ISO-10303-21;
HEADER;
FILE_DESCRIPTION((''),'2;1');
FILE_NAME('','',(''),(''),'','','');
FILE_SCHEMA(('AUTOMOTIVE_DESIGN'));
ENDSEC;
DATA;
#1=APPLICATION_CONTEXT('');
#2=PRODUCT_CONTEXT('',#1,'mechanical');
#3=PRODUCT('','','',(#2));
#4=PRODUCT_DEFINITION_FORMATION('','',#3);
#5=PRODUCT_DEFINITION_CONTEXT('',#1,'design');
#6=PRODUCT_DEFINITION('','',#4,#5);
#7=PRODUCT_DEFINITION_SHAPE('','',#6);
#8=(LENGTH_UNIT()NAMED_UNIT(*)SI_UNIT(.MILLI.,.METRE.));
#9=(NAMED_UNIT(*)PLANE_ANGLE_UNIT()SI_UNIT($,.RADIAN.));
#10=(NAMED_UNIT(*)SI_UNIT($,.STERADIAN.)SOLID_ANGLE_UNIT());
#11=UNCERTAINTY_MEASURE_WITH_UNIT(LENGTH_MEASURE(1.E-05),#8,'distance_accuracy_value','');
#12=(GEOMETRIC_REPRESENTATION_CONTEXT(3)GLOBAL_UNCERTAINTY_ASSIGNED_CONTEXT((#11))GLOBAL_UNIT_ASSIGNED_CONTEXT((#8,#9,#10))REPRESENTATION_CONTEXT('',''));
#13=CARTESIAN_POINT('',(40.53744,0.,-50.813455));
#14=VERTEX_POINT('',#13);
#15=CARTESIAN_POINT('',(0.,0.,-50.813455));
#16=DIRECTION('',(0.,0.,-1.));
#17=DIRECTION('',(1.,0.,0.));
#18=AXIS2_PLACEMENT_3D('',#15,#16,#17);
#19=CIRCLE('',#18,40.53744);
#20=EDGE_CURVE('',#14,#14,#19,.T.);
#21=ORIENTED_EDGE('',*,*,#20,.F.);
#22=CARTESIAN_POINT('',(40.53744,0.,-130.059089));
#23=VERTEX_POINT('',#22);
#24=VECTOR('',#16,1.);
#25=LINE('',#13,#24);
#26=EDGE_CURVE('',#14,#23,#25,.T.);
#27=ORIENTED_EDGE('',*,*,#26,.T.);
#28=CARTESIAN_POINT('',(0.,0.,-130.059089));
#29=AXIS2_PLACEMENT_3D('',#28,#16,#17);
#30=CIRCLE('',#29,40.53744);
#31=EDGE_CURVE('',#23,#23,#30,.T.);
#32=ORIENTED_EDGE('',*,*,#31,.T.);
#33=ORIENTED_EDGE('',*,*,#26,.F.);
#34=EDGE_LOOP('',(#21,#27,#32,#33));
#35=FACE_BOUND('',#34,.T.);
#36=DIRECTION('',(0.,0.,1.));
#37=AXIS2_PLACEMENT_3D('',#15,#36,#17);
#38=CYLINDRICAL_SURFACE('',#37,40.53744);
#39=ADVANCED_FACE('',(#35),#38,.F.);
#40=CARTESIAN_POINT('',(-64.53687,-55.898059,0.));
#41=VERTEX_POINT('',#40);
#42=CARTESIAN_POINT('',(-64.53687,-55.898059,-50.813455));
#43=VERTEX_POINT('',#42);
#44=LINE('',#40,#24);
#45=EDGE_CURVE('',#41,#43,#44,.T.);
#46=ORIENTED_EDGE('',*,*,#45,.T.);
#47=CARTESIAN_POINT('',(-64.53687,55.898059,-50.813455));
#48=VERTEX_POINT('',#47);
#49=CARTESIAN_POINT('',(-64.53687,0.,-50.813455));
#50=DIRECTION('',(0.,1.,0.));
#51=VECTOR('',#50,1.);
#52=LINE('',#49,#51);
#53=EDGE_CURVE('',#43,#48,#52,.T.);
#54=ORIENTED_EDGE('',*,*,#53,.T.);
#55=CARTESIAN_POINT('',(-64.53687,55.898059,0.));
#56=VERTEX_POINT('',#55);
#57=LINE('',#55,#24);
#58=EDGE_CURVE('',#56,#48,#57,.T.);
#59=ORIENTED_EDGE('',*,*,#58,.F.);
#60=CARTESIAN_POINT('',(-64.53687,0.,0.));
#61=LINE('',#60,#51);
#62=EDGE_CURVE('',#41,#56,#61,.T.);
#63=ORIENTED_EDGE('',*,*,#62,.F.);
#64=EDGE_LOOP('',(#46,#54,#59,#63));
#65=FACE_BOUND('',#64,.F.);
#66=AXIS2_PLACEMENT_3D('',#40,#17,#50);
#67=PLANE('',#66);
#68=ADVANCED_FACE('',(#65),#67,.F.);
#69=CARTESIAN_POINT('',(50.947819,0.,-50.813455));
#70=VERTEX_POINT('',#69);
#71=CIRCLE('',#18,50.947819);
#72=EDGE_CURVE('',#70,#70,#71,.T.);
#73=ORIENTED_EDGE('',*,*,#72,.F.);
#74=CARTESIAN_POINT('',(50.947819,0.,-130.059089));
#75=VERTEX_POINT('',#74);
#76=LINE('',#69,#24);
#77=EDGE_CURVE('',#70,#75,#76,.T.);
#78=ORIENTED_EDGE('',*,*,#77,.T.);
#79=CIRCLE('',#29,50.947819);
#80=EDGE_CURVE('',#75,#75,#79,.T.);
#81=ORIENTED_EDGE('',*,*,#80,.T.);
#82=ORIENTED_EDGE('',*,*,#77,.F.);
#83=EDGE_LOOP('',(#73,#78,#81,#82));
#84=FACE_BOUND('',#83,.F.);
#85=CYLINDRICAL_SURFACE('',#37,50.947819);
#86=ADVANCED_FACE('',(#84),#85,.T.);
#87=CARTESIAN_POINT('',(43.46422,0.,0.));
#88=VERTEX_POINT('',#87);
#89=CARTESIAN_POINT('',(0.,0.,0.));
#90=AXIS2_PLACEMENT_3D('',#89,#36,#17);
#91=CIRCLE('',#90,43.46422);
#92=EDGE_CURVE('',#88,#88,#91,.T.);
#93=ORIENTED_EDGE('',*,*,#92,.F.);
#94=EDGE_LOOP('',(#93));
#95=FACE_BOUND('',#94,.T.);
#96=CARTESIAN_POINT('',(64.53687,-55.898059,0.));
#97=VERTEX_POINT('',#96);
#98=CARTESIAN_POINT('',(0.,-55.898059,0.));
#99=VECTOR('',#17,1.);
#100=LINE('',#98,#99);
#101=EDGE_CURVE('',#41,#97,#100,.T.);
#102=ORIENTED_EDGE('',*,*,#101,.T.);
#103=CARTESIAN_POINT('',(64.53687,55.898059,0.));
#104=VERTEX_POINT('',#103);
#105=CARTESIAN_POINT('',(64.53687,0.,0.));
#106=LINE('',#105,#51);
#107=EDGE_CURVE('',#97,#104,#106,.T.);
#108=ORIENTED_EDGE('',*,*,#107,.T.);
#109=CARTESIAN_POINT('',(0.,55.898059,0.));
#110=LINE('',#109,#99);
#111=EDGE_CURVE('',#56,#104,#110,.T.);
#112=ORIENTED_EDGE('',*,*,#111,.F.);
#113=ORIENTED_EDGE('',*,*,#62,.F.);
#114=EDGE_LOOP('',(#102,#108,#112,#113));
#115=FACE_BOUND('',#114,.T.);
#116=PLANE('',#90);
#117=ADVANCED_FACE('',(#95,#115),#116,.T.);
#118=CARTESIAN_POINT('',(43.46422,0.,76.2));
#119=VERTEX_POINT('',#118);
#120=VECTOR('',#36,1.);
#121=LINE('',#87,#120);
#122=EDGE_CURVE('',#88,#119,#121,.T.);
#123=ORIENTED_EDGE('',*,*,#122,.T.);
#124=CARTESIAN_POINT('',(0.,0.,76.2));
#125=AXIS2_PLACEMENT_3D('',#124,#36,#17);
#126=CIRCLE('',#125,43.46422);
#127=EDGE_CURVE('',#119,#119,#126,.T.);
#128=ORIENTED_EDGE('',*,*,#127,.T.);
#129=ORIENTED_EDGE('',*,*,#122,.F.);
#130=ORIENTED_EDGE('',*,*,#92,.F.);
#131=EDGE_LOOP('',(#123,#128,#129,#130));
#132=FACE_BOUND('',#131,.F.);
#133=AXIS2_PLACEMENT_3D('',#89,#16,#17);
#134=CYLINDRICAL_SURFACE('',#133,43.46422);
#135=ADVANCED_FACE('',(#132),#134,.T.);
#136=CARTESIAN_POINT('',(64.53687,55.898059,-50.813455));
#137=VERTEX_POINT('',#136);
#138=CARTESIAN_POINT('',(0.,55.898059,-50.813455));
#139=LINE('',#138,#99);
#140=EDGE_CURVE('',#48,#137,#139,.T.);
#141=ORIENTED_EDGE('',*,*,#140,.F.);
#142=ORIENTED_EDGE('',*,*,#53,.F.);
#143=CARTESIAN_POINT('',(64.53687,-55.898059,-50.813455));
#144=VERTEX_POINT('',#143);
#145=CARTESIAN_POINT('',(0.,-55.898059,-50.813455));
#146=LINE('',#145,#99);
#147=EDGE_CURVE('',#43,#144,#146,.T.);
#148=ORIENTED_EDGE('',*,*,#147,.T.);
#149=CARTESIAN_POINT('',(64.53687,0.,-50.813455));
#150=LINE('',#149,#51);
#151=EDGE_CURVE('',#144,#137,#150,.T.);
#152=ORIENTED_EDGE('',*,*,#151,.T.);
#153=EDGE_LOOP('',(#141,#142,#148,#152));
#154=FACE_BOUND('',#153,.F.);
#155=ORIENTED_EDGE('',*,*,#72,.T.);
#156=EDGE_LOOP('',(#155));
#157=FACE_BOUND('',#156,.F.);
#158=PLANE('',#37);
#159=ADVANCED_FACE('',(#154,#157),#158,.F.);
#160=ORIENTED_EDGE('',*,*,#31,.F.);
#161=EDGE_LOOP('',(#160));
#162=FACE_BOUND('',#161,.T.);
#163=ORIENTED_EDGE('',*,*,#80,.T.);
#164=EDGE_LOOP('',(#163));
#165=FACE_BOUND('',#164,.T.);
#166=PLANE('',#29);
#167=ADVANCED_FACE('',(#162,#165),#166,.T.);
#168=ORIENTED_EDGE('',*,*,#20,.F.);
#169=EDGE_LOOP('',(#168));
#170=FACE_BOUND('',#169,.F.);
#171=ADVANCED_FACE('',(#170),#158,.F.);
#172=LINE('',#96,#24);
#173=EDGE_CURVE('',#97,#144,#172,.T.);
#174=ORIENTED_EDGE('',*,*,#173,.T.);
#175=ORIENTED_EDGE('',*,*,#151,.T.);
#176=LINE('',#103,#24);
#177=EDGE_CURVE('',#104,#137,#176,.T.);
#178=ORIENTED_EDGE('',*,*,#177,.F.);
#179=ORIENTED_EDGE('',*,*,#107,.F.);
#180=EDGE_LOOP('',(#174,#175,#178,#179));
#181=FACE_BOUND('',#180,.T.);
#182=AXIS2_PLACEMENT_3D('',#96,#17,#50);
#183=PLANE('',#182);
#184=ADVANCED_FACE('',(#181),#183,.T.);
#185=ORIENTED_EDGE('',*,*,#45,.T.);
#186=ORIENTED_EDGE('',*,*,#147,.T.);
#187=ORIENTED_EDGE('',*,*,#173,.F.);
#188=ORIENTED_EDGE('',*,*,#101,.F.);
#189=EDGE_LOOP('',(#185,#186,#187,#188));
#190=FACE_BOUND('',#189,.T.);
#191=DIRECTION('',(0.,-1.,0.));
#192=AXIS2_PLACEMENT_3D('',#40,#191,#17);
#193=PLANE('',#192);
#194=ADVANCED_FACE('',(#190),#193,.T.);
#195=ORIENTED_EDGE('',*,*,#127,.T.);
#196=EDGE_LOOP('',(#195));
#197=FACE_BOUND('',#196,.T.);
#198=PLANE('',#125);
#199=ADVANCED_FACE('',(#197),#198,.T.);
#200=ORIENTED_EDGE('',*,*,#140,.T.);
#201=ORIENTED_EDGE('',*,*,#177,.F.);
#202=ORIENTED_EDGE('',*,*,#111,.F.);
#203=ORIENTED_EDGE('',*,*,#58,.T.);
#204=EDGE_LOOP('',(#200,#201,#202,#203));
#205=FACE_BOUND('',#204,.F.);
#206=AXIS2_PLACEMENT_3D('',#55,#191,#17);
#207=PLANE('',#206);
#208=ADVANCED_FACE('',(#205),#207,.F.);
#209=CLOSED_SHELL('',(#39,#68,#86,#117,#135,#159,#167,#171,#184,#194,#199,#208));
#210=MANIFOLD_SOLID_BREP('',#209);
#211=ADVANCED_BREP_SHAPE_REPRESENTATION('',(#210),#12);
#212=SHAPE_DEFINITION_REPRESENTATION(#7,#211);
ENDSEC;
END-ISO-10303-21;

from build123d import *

# Parameters (mm, degrees)
F0_W     = 129.07374
F0_H     = 111.796118
F1_DEPTH = 50.813455
F2_R     = 43.46422
F3_DEPTH = 76.2
F4_R     = 50.947819
F4_R_2   = 40.53744
F5_DEPTH = 79.245634


with BuildPart() as f1:
    # F0 (on Top) → F1 (new body)
    with BuildSketch(Plane.XY):
        Rectangle(F0_W, F0_H)
    extrude(amount=-F1_DEPTH)

    # F2 (on face) → F3 (join)
    with BuildSketch(Plane.XY):
        Circle(F2_R)
    extrude(amount=F3_DEPTH)

    # F4 (on face) → F5 (join)
    with BuildSketch(Plane(origin=(0, 0, -50.813455), x_dir=(1, 0, 0), z_dir=(0, 0, -1))):
        Circle(F4_R)
        Circle(F4_R_2, mode=Mode.SUBTRACT)
    extrude(amount=F5_DEPTH)


solid = f1.part
